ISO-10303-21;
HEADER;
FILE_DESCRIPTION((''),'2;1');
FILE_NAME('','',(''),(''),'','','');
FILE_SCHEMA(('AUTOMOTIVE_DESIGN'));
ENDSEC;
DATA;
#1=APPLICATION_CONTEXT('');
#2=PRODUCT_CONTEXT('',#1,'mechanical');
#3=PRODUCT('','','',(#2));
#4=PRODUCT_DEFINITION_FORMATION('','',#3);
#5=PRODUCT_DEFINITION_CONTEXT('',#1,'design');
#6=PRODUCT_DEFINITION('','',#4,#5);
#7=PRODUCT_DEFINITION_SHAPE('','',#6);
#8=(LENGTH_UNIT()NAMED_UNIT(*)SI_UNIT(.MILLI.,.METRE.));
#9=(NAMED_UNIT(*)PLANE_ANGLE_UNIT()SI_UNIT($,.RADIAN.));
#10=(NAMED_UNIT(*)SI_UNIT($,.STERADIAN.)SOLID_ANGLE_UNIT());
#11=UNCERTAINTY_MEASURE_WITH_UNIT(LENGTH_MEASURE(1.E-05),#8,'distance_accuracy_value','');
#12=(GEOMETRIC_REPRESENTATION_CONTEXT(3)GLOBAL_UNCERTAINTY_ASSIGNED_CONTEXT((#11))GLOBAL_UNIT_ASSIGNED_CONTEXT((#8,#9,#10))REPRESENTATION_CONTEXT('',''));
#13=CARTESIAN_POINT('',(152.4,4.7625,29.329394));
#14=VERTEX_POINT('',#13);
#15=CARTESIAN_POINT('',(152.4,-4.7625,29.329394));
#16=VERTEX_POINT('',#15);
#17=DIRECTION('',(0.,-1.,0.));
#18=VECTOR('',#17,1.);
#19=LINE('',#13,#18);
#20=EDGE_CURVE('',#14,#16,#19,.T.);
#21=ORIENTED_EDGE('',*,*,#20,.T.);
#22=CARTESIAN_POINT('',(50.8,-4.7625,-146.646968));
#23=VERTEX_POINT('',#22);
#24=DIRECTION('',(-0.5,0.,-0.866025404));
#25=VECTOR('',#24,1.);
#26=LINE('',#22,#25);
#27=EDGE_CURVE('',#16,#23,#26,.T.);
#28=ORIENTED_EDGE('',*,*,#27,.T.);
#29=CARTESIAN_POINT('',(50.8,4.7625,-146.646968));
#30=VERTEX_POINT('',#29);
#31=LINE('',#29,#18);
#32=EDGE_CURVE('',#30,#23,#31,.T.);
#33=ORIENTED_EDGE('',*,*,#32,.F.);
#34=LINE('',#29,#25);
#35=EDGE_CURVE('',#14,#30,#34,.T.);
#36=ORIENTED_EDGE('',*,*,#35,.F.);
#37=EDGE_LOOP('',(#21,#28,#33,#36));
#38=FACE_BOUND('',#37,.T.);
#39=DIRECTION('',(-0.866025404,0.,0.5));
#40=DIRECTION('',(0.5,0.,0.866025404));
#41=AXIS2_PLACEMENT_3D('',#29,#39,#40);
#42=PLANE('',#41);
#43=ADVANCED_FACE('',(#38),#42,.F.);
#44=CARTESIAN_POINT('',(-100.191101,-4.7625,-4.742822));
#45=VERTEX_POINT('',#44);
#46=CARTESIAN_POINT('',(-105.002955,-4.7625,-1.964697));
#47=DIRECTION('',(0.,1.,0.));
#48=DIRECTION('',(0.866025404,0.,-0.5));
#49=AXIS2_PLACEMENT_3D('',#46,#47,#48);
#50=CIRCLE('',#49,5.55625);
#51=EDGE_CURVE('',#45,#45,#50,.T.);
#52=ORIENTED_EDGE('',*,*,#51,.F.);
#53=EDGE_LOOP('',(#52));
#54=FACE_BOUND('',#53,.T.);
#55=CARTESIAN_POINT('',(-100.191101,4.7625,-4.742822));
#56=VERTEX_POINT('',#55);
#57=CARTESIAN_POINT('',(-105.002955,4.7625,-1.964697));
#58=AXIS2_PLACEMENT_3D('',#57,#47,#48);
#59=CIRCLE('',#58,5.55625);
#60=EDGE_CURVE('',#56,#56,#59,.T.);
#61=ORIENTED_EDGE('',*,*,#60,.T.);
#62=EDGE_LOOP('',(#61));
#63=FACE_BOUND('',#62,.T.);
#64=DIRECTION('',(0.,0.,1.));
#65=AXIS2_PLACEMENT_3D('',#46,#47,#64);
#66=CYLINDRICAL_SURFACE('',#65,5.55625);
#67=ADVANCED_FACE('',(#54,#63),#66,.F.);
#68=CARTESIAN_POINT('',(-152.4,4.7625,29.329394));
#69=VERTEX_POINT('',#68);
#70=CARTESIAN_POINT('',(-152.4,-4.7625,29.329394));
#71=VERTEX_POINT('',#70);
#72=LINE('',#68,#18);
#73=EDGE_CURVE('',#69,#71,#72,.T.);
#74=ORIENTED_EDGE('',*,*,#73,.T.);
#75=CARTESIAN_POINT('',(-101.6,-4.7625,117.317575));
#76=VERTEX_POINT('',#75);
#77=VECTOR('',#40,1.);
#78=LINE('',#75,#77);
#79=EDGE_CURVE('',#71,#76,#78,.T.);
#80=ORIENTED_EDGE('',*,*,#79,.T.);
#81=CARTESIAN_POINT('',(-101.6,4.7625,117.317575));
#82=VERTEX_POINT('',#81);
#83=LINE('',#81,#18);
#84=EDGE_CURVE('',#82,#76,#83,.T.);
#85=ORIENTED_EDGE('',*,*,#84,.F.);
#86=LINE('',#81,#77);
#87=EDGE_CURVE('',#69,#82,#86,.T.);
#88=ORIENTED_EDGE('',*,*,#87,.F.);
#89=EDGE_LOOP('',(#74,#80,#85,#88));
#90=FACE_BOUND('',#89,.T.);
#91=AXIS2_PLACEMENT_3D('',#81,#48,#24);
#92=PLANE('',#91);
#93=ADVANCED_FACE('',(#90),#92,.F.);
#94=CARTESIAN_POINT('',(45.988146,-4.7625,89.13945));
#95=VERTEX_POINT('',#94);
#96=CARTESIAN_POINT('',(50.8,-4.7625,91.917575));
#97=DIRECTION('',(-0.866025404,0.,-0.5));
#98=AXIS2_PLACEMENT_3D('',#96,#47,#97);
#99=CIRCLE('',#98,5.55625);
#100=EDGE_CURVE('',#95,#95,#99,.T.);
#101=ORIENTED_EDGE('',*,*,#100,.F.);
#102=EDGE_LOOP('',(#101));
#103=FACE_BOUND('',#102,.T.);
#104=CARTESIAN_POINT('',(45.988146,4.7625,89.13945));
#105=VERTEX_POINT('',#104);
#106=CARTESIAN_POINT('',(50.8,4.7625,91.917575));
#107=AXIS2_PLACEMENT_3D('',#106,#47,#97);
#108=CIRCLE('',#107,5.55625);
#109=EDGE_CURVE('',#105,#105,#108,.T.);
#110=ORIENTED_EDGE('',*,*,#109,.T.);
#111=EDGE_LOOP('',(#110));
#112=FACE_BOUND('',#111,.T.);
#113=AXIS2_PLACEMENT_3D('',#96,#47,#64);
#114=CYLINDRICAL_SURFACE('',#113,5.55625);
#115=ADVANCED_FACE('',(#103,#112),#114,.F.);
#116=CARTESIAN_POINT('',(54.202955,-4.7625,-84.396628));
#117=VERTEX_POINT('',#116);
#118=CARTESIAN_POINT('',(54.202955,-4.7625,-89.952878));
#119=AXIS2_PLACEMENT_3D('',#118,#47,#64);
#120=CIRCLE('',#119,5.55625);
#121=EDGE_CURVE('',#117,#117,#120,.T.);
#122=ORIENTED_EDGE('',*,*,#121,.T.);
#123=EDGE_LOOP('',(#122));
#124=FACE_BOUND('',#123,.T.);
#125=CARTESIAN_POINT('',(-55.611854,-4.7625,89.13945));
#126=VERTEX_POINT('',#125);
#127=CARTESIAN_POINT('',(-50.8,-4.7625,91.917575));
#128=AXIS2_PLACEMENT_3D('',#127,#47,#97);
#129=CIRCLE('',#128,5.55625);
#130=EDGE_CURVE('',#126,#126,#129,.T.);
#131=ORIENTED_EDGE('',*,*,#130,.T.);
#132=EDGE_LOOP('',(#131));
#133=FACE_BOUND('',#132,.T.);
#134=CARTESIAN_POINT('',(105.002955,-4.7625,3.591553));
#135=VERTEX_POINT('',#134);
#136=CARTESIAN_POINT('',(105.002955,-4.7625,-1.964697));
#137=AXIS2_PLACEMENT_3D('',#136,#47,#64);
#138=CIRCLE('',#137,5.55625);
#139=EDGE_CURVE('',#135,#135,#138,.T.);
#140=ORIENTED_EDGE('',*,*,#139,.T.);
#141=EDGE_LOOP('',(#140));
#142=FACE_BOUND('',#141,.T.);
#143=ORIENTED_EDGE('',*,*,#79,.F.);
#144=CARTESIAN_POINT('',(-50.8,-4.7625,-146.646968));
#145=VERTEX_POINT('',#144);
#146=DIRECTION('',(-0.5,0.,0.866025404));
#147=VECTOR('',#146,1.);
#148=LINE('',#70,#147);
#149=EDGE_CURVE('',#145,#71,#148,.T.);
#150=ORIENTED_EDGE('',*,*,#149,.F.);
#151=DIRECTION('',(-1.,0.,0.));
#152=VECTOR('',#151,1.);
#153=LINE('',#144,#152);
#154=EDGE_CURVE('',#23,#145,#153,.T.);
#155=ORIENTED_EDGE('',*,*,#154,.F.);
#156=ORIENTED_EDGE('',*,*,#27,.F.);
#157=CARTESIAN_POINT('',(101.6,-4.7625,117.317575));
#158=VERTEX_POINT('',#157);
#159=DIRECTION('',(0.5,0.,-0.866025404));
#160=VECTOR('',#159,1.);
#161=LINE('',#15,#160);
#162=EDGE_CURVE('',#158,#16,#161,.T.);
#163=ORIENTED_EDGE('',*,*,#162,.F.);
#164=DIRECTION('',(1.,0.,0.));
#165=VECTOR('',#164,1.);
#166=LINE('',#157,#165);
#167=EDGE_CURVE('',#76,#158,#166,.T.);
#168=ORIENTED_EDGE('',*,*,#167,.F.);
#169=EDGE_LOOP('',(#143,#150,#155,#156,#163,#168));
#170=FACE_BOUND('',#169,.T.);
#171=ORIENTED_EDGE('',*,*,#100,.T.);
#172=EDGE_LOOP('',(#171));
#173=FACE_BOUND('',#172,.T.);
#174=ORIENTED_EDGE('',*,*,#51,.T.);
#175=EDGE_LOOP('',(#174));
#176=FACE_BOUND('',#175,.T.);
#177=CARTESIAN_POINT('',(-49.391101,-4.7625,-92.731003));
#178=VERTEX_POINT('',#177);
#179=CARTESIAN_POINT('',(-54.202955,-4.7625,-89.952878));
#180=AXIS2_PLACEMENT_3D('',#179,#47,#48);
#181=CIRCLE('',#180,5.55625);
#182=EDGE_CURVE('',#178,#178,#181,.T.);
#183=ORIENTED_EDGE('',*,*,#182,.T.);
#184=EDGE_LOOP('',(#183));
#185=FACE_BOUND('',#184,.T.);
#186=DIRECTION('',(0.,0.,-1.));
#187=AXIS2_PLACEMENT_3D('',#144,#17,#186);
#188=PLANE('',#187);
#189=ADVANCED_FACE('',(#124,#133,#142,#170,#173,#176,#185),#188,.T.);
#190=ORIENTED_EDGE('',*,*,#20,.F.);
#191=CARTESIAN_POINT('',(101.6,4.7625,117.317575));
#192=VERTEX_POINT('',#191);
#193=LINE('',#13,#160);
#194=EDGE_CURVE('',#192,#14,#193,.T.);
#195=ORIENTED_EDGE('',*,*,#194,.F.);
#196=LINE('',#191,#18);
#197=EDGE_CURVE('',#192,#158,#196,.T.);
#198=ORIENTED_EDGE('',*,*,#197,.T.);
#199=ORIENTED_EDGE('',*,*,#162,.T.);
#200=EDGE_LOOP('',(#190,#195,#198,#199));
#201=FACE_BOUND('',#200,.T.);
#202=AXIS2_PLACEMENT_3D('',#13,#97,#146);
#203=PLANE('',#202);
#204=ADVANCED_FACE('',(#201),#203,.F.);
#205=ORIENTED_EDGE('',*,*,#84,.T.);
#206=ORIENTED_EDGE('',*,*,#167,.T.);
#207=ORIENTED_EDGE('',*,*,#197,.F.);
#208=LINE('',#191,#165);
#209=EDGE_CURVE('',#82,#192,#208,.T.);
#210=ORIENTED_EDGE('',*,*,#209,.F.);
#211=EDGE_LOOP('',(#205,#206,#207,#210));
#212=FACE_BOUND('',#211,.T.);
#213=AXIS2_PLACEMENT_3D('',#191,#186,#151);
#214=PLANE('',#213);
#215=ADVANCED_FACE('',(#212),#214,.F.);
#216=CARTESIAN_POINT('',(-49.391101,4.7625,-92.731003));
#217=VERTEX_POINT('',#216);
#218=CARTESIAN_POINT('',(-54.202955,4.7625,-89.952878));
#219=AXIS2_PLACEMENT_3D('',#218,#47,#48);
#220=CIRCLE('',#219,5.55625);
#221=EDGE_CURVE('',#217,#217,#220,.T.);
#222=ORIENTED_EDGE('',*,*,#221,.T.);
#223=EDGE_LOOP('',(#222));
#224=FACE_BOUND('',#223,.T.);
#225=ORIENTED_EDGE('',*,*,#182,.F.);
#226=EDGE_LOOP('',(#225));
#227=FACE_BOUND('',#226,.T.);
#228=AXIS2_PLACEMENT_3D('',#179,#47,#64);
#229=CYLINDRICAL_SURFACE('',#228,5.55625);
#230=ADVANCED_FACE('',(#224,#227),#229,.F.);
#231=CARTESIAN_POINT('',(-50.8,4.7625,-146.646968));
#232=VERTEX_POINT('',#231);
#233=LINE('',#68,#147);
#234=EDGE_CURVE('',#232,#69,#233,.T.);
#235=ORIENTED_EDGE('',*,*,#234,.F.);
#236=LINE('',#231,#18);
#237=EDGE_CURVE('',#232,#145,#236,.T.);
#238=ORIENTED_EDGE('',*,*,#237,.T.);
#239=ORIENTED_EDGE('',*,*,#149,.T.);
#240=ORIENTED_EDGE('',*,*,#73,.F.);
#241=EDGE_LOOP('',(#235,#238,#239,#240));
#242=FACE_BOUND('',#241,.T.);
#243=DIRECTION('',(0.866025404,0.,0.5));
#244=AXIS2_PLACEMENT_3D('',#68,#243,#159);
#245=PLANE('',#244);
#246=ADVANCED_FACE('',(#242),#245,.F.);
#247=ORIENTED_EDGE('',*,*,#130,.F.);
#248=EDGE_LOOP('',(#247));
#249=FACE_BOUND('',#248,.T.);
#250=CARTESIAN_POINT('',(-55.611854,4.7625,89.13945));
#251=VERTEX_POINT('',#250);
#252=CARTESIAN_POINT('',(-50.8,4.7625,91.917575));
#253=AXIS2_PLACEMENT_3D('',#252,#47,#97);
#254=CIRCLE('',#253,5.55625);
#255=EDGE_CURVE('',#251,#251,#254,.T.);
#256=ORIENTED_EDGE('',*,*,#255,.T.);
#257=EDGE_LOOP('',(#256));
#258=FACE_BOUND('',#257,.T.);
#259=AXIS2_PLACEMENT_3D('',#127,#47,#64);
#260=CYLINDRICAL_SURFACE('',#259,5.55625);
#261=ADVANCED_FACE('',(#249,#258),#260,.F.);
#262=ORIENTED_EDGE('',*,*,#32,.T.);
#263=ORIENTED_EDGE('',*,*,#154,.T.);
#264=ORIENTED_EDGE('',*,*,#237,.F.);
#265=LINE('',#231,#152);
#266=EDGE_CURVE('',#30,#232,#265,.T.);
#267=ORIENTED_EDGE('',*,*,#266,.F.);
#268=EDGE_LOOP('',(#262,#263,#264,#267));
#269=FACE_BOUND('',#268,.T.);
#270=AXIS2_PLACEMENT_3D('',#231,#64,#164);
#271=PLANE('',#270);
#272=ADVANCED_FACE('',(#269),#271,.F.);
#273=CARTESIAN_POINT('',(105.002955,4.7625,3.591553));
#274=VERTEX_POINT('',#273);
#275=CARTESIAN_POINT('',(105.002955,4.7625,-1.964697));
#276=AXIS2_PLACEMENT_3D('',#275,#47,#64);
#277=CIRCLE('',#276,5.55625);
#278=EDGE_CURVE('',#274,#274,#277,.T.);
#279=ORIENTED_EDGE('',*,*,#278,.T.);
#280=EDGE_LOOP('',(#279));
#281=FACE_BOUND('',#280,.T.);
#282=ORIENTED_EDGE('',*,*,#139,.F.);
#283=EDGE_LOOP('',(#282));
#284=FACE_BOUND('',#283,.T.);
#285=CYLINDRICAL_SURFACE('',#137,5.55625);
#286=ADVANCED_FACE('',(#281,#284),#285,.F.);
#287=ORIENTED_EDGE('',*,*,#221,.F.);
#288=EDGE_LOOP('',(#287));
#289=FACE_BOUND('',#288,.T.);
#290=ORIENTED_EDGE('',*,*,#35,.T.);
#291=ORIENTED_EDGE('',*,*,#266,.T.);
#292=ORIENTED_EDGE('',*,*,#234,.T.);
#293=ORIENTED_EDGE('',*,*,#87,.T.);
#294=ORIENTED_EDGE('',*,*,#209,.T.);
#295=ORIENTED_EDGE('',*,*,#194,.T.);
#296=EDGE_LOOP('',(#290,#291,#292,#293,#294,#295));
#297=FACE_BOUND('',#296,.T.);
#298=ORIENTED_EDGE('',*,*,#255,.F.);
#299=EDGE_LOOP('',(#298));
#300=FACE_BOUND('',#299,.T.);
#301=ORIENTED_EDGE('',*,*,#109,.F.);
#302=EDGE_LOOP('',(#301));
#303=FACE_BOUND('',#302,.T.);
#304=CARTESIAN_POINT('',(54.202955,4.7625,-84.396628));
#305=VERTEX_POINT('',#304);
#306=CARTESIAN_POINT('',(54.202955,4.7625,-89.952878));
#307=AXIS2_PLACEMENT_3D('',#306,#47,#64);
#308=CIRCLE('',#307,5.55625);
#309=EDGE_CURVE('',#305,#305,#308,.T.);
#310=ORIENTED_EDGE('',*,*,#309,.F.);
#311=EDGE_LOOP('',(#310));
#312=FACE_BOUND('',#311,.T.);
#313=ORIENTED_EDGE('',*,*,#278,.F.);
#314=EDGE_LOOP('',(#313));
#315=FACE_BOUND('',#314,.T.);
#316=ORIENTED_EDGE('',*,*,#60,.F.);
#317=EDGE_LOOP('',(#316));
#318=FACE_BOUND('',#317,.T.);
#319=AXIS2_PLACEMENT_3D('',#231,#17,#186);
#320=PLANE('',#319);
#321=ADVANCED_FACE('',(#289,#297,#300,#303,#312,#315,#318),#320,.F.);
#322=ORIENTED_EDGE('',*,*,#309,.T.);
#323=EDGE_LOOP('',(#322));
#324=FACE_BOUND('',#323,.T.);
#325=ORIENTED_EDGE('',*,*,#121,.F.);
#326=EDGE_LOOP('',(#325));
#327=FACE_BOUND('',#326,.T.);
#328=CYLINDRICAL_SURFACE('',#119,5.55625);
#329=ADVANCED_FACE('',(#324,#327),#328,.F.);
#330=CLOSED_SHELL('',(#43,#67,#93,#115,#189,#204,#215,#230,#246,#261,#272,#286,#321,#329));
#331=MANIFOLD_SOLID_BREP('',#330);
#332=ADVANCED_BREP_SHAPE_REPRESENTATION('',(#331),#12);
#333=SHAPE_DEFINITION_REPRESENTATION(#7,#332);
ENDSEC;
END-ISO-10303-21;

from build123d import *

# Parameters (mm, degrees)
BOSS_EXTRUDE1_DEPTH = 4.7625
SKETCH2_R           = 5.55625
CUT_EXTRUDE1_DEPTH  = 212.711641055
CIRPATTERN1_COUNT   = 3


with BuildPart() as part:
    # Sketch1 → Boss-Extrude1 (new, symmetric)
    with BuildSketch(Plane(origin=(0, 0, 0), x_dir=(1, 0, 0), z_dir=(0, 1, 0))):
        Polygon((-50.8, 146.646968374), (50.8, 146.646968374), (152.4, -29.329393675), (101.6, -117.317574699), (-101.6, -117.317574699), (-152.4, -29.329393675), align=None)
    extrude(amount=BOSS_EXTRUDE1_DEPTH, both=True)

    # Sketch2 → Cut-Extrude1 (cut, through all)
    with BuildSketch(Plane(origin=(0, 4.7625, 0), x_dir=(1, 0, 0), z_dir=(0, 1, 0))):
        with Locations((105.002954744, 1.964696837)):
            Circle(SKETCH2_R)
        with Locations((54.202954744, 89.952877862)):
            Circle(SKETCH2_R)
    cut_extrude1 = extrude(amount=-CUT_EXTRUDE1_DEPTH, mode=Mode.SUBTRACT)

    # CirPattern1: Cut-Extrude1 ×3 about axis
    cirpattern1_axis = Axis((0, 5.23875, 0), (0, -1, 0))
    for i in range(1, CIRPATTERN1_COUNT):
        add(cut_extrude1.rotate(cirpattern1_axis, i * 360 / CIRPATTERN1_COUNT), mode=Mode.SUBTRACT)


solid = part.part
